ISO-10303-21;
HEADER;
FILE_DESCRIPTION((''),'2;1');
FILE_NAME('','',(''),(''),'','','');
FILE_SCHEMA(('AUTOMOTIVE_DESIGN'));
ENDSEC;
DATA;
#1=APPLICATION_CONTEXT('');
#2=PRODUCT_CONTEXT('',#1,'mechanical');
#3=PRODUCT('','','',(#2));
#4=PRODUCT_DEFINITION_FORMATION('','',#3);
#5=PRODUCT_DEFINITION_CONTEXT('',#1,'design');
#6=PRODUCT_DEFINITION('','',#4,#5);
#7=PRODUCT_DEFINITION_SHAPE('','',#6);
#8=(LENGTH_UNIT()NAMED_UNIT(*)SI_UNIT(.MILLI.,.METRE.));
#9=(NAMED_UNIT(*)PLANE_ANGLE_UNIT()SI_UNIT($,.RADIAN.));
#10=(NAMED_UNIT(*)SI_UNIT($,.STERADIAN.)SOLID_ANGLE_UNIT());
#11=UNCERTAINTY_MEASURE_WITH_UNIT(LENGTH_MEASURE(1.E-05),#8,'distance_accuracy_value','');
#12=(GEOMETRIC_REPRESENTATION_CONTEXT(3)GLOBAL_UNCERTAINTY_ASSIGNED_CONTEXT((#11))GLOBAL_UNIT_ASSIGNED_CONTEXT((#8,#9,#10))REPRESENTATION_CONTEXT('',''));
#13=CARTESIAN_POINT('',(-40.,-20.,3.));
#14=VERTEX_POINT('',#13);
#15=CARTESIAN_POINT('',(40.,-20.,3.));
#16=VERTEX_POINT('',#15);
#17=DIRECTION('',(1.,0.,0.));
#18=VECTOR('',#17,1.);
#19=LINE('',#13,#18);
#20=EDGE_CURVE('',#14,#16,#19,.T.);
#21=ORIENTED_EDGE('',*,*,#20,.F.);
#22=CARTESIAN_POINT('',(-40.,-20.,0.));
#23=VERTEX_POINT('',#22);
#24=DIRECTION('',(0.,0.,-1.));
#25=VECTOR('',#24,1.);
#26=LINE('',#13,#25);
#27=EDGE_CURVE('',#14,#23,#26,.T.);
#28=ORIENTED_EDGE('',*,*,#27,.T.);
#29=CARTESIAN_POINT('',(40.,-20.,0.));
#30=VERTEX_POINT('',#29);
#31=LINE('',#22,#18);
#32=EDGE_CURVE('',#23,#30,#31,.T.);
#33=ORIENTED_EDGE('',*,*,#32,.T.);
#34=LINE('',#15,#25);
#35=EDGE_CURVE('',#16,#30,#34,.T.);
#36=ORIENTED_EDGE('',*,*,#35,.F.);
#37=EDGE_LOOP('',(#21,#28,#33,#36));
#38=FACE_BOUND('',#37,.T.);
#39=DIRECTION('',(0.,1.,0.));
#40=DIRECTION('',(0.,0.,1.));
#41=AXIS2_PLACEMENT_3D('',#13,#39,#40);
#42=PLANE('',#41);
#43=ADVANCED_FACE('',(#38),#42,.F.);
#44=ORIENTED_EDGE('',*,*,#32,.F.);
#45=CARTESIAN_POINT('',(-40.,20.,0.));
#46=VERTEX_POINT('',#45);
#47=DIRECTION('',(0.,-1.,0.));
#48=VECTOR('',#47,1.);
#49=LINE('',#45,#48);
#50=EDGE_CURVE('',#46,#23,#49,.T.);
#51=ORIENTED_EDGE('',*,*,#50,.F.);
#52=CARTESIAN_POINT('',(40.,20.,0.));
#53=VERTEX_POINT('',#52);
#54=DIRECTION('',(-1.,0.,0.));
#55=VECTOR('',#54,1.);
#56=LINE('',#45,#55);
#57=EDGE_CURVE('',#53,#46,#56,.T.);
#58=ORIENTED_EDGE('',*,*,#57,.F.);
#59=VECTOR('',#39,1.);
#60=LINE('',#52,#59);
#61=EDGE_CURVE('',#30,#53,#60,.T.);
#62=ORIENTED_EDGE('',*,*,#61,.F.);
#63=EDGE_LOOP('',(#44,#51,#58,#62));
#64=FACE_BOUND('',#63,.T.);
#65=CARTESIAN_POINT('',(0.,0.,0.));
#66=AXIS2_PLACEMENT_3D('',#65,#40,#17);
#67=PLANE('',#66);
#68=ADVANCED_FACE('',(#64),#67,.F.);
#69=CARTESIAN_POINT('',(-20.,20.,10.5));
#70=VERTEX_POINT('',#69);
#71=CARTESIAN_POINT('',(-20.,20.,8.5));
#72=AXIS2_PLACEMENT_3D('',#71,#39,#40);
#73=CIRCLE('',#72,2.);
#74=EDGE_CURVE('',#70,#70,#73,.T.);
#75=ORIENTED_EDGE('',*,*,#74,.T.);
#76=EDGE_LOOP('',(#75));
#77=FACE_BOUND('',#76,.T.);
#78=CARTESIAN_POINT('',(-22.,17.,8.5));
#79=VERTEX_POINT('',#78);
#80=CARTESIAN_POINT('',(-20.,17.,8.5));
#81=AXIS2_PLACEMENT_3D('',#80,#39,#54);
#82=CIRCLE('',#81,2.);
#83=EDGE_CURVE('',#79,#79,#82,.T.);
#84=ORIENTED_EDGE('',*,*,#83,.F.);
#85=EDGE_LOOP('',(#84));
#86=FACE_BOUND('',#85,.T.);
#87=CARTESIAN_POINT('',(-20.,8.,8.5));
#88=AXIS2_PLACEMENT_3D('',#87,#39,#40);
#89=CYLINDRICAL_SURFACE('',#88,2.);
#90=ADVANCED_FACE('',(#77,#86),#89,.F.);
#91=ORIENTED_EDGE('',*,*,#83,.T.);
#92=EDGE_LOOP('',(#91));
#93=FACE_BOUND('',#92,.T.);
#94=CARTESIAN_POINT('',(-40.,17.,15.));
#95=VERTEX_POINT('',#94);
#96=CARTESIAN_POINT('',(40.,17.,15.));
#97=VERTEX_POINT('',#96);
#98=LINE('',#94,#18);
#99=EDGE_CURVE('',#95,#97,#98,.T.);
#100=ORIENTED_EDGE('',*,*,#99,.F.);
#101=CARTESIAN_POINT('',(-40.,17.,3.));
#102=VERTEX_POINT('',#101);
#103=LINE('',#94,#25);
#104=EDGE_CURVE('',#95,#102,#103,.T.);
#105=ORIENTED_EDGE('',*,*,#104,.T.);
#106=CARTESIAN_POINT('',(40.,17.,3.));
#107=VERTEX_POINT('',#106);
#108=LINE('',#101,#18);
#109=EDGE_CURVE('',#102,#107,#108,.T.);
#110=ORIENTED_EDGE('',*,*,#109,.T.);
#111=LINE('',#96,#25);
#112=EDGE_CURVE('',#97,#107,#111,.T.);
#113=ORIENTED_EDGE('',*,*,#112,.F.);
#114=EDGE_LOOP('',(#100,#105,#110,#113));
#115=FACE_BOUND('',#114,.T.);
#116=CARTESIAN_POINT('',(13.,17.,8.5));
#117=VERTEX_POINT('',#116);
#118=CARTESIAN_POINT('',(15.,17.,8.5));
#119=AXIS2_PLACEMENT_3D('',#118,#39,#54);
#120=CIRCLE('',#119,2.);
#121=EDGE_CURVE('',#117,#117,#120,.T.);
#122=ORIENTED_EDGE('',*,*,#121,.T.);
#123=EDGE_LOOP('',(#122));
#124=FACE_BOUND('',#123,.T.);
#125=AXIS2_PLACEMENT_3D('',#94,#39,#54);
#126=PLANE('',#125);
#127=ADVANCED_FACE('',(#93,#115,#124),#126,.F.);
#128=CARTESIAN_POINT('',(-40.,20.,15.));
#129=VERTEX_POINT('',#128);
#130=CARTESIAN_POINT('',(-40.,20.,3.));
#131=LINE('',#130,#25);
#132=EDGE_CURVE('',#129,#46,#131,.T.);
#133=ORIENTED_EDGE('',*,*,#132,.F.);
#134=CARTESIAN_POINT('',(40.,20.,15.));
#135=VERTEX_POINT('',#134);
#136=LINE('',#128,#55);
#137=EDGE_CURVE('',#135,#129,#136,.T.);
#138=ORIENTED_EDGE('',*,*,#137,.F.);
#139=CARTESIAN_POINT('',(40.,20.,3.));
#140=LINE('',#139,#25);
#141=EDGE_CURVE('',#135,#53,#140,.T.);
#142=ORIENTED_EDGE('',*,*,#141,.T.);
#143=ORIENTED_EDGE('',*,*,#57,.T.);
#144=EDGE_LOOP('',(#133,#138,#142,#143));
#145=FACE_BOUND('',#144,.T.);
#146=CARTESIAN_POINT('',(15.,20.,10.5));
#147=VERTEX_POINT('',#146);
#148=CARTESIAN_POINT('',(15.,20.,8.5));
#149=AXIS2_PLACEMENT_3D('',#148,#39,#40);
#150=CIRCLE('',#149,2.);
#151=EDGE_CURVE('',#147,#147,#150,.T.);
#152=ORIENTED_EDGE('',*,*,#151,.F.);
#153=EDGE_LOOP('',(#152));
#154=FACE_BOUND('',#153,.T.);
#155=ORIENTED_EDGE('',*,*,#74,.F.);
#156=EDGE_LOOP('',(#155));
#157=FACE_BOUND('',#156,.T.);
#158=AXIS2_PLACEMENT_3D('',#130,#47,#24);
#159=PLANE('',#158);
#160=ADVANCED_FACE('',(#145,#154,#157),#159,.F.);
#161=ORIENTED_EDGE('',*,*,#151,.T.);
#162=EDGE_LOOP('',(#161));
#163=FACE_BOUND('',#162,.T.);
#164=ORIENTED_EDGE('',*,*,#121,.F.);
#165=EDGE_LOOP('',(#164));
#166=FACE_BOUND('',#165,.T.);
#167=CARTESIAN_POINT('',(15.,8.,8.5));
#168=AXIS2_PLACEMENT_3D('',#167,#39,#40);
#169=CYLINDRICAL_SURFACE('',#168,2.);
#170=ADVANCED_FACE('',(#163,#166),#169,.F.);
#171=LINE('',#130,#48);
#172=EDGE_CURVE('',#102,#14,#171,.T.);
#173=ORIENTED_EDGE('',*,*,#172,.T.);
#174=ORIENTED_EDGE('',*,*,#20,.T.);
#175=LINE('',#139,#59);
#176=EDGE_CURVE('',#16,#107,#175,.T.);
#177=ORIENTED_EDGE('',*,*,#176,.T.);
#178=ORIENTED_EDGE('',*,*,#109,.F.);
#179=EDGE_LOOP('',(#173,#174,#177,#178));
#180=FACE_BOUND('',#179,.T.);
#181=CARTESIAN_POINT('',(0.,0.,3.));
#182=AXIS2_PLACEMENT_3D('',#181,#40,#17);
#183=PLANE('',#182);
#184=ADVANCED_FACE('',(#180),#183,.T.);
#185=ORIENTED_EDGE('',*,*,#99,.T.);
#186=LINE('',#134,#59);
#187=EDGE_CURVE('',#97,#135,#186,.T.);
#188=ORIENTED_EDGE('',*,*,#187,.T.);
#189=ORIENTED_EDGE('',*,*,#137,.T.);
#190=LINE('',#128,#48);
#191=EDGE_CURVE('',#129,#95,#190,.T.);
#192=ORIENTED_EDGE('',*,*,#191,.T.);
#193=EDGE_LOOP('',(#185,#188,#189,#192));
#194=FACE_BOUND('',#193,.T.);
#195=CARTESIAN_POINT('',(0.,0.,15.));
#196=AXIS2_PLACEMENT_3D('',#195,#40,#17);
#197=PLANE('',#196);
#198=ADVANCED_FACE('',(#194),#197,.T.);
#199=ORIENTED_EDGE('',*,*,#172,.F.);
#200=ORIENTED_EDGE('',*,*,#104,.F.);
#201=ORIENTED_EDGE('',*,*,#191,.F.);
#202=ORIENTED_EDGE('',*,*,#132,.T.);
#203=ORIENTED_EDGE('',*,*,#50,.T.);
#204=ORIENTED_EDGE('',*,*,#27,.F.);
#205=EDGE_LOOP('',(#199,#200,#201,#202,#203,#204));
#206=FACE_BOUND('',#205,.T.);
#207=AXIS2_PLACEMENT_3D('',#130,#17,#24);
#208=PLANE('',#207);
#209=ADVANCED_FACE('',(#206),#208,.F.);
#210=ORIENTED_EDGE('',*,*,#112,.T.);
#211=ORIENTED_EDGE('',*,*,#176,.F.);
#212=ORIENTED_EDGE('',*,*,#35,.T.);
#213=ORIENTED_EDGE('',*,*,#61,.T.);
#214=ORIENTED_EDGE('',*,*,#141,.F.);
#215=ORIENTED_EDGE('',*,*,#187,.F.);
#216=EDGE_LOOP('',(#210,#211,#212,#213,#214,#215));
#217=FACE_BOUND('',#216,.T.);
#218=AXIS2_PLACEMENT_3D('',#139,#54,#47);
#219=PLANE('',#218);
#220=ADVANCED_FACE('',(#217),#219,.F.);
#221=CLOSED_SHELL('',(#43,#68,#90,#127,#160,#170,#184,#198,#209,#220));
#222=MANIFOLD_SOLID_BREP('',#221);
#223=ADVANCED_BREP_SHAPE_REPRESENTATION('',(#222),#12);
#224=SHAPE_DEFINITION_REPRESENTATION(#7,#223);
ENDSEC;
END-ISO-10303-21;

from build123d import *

# Parameters (mm, degrees)
SKETCH1_W           = 80
SKETCH1_H           = 40
BOSS_EXTRUDE1_DEPTH = 3
SKETCH2_W           = 80
SKETCH2_H           = 3
BOSS_EXTRUDE2_DEPTH = 12
SKETCH3_R           = 2
CUT_EXTRUDE1_DEPTH  = 12


with BuildPart() as part:
    # Sketch1 → Boss-Extrude1 (new body)
    with BuildSketch(Plane.XY):
        Rectangle(SKETCH1_W, SKETCH1_H)
    extrude(amount=BOSS_EXTRUDE1_DEPTH)

    # Sketch2 → Boss-Extrude2 (add)
    with BuildSketch(Plane.XY.offset(3)):
        with Locations((0, 18.5)):
            Rectangle(SKETCH2_W, SKETCH2_H)
    extrude(amount=BOSS_EXTRUDE2_DEPTH)

    # Sketch3 → Cut-Extrude1 (cut)
    with BuildSketch(Plane(origin=(0, 20, 0), x_dir=(1, 0, 0), z_dir=(0, 1, 0))):
        with Locations(Location((15, -8.5, 0), (0, 0, 270))):
            Circle(SKETCH3_R)
        with Locations(Location((-20, -8.5, 0), (0, 0, 270))):
            Circle(SKETCH3_R)
    extrude(amount=-CUT_EXTRUDE1_DEPTH, mode=Mode.SUBTRACT)


solid = part.part
